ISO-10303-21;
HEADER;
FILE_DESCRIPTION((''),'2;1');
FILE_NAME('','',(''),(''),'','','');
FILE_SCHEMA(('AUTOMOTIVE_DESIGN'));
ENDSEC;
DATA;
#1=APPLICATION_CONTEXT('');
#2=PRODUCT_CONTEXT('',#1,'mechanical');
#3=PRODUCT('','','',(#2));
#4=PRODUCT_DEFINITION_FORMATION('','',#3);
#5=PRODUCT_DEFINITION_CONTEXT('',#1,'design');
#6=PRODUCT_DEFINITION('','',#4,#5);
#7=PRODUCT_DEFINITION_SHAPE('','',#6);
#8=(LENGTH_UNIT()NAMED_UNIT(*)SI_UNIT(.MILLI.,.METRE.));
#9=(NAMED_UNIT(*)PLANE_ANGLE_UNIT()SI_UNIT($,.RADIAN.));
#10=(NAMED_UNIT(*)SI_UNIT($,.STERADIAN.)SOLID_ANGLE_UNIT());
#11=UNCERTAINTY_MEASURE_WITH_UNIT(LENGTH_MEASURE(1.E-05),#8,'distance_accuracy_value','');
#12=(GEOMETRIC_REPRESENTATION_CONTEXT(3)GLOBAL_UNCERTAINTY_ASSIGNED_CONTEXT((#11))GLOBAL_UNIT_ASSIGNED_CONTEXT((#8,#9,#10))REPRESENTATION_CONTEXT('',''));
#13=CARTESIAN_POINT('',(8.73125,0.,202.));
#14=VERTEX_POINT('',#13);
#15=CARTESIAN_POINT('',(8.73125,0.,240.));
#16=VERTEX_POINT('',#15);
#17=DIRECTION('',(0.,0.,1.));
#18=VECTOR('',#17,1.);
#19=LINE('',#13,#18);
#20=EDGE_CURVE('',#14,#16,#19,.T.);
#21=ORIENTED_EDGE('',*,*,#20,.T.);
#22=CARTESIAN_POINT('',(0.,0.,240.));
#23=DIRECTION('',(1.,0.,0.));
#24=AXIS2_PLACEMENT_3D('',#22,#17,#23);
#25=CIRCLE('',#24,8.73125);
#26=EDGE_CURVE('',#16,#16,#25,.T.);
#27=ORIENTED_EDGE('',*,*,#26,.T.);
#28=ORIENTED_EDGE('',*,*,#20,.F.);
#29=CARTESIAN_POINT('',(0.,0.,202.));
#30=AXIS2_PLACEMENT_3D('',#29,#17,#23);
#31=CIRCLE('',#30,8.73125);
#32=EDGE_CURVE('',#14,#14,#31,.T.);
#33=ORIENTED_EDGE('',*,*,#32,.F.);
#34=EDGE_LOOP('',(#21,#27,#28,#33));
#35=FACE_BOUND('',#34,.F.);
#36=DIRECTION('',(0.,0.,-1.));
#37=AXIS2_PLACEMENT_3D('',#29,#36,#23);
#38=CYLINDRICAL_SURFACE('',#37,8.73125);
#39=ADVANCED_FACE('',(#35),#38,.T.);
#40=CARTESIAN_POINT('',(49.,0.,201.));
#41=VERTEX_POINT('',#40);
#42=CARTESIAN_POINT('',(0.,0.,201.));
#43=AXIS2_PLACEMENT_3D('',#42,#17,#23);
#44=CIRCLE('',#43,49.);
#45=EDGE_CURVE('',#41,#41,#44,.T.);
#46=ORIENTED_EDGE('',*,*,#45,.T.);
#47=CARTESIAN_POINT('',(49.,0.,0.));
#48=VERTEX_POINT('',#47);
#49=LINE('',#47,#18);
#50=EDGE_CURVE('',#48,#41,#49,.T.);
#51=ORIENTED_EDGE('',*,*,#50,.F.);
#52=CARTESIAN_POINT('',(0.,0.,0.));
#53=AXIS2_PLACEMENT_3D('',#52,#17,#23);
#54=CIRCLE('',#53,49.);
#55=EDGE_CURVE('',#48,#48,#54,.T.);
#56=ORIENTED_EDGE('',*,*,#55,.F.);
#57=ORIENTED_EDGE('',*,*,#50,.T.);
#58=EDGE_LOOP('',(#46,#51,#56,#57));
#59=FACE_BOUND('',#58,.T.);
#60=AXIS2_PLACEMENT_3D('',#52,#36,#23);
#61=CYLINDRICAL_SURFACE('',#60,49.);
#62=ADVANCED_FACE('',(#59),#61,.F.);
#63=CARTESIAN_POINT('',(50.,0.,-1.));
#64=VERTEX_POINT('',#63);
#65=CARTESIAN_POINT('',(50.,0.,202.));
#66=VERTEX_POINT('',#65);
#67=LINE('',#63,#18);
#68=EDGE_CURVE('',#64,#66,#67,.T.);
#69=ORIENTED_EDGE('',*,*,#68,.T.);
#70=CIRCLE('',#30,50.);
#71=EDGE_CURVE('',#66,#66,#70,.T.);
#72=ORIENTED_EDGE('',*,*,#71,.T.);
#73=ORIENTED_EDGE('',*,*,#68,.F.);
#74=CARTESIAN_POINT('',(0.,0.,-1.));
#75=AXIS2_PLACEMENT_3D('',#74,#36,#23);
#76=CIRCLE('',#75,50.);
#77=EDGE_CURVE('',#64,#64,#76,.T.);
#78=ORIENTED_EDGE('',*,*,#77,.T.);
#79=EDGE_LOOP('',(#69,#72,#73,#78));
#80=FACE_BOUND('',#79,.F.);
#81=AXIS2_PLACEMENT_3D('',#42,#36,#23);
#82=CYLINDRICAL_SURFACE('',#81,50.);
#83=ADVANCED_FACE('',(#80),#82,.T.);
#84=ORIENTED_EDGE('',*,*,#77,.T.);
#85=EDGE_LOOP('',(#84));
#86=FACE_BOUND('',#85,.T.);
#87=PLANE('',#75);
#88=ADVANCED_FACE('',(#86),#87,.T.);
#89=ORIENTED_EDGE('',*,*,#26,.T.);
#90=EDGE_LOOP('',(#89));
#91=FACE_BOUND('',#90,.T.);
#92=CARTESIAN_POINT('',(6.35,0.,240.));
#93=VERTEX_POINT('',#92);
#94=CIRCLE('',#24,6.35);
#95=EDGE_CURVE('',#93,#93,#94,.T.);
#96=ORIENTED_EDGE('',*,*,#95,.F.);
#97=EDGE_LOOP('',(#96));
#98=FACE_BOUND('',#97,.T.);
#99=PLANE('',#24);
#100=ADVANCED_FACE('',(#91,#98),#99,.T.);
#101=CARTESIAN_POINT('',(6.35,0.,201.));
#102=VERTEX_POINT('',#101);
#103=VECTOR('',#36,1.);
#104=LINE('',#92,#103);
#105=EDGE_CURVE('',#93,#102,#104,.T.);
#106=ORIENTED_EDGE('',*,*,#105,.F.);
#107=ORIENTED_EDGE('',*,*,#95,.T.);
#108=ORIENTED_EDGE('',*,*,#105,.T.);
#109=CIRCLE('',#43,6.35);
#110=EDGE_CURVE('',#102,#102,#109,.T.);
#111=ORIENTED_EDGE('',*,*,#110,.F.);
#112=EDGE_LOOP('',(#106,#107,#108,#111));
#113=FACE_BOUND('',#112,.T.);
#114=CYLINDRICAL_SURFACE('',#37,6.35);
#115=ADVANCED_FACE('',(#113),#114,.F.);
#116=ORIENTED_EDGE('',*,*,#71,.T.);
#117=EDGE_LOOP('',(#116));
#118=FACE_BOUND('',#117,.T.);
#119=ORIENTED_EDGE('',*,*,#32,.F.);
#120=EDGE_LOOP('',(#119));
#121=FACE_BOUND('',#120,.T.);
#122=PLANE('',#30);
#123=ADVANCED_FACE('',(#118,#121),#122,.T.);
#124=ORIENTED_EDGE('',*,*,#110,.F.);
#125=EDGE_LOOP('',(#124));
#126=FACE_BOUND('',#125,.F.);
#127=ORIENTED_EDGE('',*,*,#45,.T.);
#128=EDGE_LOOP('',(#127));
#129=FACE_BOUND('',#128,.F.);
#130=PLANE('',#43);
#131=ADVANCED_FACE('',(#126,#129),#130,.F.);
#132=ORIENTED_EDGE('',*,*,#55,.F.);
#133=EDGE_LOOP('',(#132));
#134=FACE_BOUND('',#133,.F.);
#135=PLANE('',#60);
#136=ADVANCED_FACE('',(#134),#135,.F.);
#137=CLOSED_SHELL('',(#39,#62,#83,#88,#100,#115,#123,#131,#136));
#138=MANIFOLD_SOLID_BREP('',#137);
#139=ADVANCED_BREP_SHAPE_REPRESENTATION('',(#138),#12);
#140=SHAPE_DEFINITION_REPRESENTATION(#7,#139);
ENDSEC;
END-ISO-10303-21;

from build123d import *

# Parameters (mm, degrees)
F0_R     = 50
F0_R_2   = 49
F1_DEPTH = 201
F2_R     = 50
F3_DEPTH = 1
F5_R     = 50
F5_R_2   = 6.35
F6_DEPTH = 1
F8_R     = 8.73125
F8_R_2   = 6.35
F9_DEPTH = 38


with BuildPart() as f1:
    # F0 (on Top) → F1 (new body)
    with BuildSketch(Plane.XY):
        Circle(F0_R)
        Circle(F0_R_2, mode=Mode.SUBTRACT)
    extrude(amount=F1_DEPTH)

    # F2 (on face) → F3 (join)
    with BuildSketch(Plane(origin=(0, 0, 0), x_dir=(1, 0, 0), z_dir=(0, 0, -1))):
        Circle(F2_R)
    extrude(amount=F3_DEPTH)

    # F5 (on offset) → F6 (join)
    with BuildSketch(Plane.XY.offset(201)):
        Circle(F5_R)
        Circle(F5_R_2, mode=Mode.SUBTRACT)
    extrude(amount=F6_DEPTH)

    # F8 (on offset) → F9 (join)
    with BuildSketch(Plane.XY.offset(202)):
        Circle(F8_R)
        Circle(F8_R_2, mode=Mode.SUBTRACT)
    extrude(amount=F9_DEPTH)


solid = f1.part
